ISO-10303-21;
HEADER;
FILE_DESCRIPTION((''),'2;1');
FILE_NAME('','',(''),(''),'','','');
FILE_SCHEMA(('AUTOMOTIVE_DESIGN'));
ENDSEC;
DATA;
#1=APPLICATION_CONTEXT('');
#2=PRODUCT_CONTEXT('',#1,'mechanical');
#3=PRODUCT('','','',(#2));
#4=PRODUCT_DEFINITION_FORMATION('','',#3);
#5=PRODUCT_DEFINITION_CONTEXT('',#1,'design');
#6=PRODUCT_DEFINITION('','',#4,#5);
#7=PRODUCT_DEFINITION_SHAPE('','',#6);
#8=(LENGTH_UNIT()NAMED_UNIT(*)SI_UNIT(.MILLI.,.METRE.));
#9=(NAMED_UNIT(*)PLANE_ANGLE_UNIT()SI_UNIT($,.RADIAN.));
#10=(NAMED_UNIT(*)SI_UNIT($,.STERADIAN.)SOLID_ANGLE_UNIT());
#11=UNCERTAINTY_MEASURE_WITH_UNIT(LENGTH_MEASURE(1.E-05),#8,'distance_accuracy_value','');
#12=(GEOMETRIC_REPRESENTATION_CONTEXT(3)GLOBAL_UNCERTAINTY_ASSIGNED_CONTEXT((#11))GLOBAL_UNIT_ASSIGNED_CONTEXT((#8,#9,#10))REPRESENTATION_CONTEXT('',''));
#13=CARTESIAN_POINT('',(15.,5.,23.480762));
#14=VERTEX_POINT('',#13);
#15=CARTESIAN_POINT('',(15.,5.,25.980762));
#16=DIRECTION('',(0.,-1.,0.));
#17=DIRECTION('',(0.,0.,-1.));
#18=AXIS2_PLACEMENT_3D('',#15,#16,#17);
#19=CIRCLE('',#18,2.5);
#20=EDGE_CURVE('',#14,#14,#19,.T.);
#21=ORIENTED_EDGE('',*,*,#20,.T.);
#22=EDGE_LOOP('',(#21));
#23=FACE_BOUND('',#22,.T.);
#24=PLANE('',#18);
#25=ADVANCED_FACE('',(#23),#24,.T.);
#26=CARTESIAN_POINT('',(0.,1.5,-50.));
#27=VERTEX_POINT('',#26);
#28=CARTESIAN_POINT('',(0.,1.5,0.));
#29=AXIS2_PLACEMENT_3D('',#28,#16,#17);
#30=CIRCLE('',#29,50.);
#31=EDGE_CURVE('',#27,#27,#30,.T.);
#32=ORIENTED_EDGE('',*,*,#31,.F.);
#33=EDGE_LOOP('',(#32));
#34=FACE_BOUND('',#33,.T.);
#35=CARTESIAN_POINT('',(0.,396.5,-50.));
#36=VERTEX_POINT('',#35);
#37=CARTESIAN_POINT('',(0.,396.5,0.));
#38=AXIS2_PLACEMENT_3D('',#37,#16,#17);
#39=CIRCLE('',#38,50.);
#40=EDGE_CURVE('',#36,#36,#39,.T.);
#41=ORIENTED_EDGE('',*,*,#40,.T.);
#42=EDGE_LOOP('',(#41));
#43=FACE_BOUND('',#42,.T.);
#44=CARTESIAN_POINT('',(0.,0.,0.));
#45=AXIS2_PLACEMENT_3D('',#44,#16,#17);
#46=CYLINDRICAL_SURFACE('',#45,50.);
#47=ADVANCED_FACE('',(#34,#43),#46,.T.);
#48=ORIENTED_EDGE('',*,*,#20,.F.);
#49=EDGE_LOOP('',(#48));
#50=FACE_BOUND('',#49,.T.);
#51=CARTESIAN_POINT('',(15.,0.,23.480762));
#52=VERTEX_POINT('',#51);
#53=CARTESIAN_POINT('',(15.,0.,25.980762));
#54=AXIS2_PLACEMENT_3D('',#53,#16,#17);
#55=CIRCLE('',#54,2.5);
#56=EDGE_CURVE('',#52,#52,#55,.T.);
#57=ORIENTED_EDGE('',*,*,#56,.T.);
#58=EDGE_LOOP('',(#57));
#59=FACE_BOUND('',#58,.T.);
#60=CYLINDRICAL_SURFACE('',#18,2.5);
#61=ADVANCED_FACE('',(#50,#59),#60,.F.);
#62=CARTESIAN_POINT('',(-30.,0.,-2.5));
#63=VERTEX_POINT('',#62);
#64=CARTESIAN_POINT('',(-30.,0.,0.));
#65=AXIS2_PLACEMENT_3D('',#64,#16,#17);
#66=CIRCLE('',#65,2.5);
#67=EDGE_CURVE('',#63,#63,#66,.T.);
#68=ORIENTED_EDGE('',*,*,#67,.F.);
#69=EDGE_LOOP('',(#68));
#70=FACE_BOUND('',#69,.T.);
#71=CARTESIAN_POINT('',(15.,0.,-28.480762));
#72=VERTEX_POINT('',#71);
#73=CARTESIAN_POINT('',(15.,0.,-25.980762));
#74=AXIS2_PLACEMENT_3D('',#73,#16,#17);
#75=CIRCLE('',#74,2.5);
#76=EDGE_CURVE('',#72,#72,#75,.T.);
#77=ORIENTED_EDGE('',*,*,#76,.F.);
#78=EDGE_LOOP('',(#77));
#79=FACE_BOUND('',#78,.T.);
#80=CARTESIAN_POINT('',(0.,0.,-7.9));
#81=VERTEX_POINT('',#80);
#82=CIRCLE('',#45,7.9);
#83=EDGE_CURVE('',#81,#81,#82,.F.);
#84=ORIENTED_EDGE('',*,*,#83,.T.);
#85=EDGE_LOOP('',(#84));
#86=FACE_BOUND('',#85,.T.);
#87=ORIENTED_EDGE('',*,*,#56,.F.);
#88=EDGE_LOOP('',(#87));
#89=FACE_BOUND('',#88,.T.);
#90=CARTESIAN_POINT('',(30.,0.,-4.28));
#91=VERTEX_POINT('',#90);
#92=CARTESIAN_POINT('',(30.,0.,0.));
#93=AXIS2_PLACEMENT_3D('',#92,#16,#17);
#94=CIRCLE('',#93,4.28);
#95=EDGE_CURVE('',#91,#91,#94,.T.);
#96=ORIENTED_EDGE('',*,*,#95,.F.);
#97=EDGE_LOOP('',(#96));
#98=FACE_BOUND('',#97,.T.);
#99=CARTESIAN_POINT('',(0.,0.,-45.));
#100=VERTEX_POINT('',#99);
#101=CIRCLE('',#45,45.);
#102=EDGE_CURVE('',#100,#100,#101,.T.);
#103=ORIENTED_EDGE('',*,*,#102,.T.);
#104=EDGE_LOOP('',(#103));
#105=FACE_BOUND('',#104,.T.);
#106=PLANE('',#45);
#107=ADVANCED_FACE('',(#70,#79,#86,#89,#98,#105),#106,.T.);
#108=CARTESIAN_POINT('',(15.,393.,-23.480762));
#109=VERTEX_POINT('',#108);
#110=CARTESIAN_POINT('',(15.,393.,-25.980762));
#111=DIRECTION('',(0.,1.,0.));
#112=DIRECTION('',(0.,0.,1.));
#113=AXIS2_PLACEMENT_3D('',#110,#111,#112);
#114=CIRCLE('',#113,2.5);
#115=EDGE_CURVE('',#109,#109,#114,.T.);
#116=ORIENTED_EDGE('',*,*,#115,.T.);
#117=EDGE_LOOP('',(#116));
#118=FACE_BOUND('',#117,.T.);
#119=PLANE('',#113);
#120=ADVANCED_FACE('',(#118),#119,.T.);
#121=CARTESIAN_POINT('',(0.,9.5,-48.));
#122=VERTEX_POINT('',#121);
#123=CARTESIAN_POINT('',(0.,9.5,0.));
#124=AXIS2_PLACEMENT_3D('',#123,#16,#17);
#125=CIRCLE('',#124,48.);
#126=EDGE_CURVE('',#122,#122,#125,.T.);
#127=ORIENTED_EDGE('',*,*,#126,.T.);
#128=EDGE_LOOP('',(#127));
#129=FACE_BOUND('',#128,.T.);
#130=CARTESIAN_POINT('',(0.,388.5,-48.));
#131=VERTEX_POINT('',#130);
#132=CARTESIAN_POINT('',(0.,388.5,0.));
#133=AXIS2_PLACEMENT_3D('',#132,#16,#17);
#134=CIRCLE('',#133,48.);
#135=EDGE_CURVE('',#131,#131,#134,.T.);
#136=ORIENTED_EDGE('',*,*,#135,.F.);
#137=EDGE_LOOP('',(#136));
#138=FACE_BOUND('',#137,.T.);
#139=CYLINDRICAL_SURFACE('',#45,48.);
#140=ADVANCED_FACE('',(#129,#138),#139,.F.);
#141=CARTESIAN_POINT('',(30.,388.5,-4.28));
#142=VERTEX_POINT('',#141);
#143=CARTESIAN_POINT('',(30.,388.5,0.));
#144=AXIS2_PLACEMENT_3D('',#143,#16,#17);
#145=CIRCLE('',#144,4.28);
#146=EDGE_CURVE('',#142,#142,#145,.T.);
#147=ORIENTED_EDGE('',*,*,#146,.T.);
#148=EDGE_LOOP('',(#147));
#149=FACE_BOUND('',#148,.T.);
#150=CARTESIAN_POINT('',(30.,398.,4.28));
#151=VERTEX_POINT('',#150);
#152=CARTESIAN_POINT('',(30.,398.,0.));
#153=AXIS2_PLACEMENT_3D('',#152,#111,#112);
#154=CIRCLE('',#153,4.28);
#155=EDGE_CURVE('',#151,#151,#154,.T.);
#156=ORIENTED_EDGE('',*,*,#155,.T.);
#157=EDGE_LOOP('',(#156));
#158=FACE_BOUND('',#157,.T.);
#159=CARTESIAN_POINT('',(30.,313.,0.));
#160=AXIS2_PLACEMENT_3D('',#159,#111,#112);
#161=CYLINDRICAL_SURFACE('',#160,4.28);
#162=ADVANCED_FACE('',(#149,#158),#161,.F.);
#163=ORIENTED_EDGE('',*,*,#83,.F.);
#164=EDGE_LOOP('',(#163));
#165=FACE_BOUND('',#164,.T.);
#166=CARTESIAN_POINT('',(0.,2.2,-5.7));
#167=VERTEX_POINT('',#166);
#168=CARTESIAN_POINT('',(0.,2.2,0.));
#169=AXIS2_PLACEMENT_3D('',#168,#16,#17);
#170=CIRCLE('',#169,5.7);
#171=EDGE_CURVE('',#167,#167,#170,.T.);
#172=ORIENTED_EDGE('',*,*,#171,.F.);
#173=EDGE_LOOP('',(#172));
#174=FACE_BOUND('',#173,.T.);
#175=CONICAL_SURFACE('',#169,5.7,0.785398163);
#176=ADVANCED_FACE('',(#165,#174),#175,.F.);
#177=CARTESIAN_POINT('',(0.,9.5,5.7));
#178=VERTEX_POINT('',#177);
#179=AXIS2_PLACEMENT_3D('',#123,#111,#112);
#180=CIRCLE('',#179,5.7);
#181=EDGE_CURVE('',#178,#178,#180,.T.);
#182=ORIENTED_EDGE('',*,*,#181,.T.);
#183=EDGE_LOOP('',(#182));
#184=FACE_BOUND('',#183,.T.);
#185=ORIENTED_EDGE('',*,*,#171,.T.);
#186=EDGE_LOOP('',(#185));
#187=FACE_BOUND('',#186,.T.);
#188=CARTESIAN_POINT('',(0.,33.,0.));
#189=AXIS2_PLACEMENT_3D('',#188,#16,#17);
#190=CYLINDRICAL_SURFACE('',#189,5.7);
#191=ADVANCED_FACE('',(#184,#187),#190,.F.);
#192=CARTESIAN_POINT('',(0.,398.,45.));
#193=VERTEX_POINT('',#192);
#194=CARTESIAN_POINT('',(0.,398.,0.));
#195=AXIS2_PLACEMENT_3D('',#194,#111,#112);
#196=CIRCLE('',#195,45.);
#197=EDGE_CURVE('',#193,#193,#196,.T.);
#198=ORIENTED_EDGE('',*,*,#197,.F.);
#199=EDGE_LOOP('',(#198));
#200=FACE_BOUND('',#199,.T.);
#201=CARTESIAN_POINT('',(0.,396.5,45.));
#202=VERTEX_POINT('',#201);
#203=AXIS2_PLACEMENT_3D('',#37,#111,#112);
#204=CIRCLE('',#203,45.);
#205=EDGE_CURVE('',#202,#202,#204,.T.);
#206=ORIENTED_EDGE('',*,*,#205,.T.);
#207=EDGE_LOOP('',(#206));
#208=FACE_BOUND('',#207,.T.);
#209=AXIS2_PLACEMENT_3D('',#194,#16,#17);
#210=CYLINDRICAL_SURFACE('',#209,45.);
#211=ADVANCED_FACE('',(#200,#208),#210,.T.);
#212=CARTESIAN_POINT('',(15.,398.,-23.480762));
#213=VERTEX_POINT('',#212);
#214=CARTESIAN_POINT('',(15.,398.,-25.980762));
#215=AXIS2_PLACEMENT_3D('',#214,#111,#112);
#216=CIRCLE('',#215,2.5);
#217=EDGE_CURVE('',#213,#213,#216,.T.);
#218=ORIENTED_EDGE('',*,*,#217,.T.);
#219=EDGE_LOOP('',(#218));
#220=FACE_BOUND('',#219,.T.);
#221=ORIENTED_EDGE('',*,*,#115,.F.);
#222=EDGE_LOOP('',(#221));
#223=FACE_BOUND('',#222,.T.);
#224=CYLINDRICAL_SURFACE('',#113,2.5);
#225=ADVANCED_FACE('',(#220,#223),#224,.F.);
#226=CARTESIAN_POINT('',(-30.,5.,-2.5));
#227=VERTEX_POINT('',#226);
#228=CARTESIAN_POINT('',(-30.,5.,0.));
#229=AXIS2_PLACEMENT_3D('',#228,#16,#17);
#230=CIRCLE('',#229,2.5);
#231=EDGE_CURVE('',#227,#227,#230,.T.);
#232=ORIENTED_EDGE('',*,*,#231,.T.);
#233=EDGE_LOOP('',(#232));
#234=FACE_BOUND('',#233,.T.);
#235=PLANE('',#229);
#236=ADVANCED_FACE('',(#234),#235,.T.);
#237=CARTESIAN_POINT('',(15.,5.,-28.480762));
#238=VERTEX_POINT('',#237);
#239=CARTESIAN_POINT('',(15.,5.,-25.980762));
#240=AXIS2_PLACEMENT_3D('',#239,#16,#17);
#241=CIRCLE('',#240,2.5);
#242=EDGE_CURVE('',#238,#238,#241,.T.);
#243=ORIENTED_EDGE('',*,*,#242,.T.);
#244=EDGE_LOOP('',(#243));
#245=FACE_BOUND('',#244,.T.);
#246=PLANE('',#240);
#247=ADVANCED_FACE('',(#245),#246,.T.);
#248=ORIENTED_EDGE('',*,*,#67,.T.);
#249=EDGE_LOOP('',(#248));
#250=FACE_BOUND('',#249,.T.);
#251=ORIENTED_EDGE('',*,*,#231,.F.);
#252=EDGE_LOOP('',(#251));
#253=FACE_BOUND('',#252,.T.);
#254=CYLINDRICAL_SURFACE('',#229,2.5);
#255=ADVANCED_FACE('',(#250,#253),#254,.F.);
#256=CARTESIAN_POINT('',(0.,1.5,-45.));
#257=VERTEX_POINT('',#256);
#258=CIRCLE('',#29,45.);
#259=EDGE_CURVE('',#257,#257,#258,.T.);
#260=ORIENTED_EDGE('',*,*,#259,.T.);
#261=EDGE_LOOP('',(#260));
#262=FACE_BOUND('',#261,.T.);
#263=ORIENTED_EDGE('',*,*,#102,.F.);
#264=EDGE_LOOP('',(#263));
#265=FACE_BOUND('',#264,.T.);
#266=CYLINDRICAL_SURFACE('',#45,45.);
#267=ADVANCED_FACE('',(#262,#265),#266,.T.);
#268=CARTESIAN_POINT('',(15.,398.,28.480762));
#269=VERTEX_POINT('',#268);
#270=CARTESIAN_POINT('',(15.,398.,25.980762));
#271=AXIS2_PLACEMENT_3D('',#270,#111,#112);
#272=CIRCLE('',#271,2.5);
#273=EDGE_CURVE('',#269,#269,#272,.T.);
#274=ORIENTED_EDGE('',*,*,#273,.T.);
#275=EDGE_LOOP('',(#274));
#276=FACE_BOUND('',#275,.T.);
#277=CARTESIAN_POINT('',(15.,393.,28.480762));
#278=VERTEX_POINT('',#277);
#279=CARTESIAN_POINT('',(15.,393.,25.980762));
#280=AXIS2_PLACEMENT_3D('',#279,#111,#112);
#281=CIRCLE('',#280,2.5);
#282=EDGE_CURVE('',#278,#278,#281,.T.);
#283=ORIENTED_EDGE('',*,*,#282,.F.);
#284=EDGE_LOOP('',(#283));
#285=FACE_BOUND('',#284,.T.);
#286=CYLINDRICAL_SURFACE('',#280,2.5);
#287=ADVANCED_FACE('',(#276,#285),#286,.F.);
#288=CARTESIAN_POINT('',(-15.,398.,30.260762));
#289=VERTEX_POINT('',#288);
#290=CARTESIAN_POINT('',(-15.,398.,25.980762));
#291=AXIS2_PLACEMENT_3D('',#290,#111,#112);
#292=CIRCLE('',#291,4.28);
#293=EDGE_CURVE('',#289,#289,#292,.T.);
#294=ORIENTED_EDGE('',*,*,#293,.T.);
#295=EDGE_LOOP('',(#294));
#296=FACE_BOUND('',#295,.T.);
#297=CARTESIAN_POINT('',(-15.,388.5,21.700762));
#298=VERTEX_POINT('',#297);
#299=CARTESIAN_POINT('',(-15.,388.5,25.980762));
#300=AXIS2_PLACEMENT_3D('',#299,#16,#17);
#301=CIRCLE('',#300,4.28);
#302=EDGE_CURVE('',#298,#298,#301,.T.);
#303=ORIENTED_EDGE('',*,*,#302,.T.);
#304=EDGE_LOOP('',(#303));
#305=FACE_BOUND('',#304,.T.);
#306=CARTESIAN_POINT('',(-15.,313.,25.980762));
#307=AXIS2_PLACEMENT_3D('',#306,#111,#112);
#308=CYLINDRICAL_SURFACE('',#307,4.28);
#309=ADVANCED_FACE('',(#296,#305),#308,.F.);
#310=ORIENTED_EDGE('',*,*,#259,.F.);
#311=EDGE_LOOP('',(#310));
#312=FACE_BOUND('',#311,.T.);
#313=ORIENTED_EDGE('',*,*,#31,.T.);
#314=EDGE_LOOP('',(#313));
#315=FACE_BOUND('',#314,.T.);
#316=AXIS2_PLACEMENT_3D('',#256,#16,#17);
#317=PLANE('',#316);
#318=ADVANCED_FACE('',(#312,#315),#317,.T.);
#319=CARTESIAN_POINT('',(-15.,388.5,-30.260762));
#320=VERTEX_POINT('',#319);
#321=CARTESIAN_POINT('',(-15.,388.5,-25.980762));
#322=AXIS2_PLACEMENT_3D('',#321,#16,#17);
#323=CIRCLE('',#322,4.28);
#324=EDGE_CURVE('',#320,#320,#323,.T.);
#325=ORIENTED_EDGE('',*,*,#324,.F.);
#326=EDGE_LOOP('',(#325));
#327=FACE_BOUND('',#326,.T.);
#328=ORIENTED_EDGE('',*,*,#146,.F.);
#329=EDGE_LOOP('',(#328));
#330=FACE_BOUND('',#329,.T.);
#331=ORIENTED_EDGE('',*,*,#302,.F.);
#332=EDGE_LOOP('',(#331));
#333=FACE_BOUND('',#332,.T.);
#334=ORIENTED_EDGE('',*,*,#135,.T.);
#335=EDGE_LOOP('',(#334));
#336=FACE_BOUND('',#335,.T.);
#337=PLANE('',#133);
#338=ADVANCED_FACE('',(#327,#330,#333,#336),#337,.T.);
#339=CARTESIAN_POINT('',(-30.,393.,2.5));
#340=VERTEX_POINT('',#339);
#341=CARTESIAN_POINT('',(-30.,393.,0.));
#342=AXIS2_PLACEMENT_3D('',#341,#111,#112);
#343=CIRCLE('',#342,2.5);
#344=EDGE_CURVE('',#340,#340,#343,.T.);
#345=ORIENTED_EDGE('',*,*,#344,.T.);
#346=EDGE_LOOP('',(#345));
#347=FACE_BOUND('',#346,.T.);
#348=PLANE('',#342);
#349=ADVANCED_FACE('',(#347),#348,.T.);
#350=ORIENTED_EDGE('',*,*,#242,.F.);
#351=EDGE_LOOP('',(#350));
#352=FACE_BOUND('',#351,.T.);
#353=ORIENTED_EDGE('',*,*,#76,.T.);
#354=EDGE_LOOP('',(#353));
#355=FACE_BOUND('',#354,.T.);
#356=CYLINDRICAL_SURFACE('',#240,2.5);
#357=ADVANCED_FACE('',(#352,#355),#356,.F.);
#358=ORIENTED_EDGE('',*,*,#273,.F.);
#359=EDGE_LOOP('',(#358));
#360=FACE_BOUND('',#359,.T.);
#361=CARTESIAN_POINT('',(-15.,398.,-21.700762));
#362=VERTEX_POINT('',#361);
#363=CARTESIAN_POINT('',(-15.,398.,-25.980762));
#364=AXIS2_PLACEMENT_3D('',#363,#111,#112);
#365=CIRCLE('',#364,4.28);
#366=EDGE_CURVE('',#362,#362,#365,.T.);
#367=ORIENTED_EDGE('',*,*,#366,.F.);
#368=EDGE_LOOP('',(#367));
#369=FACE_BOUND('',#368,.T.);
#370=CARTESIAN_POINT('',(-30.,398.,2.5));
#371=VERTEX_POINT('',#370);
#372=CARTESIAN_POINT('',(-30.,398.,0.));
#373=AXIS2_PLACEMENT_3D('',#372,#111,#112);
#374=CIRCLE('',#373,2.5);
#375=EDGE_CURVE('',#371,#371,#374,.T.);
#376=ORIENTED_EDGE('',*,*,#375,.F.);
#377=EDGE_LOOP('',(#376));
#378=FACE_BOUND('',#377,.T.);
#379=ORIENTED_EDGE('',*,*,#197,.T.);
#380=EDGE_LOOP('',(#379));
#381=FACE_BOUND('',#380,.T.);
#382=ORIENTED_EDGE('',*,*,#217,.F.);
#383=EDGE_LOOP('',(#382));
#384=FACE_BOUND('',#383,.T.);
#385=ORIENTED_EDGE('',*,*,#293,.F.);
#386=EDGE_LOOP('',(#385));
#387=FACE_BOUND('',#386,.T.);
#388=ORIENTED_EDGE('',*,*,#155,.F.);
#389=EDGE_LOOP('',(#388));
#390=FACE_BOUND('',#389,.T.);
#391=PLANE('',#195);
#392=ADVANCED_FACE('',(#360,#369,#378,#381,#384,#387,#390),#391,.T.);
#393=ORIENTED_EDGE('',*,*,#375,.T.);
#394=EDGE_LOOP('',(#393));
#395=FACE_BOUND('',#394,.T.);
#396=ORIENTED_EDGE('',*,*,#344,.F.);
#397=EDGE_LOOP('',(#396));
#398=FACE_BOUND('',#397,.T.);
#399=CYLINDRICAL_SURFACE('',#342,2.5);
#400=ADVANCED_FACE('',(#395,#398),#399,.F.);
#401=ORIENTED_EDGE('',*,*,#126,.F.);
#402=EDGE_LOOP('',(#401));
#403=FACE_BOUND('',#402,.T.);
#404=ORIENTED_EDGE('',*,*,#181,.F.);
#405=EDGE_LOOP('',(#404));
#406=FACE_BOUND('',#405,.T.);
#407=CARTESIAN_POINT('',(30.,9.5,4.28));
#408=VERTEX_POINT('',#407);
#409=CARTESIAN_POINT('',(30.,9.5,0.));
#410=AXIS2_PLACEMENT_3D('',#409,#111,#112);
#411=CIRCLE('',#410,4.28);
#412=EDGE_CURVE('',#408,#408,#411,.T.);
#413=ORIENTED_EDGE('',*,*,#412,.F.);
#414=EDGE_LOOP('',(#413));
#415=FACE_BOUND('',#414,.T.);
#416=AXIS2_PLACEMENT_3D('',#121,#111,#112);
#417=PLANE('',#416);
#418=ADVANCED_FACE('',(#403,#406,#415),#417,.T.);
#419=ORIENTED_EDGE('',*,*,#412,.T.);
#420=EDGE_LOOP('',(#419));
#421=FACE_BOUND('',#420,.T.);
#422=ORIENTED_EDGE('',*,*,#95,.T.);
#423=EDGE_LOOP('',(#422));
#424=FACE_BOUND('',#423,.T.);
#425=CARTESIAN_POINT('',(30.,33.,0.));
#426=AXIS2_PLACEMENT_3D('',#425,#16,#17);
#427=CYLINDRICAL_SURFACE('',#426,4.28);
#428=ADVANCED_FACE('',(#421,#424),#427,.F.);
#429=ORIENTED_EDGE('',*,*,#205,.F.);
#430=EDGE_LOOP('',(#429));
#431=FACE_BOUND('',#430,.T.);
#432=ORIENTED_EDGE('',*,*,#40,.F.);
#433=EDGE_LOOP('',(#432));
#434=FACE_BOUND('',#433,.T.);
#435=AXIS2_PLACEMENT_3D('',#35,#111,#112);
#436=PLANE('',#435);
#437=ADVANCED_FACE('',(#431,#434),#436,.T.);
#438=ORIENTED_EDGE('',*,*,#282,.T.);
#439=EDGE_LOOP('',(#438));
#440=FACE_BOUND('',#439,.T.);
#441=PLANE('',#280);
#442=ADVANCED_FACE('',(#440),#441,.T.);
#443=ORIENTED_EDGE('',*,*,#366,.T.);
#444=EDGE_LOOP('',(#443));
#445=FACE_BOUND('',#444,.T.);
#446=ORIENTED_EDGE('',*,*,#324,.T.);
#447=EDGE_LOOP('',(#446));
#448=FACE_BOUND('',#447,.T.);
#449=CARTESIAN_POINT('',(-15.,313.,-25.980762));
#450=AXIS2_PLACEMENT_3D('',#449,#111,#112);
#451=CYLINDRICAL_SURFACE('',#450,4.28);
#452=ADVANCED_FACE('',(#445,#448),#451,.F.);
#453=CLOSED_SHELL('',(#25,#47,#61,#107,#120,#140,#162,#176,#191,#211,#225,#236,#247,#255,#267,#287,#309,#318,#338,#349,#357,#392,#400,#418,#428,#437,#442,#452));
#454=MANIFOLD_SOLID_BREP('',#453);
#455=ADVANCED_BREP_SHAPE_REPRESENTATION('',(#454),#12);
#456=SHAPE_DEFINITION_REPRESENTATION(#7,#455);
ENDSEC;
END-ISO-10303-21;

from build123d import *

# Parameters (mm, degrees)
SKETCH_5_R          = 5.7
SKETCH_5_R_2        = 4.28
CUT_EXTRUDE_4_DEPTH = 33
SKETCH_6_R          = 2.5
CUT_EXTRUDE_5_DEPTH = 5
CHAMFER_2_SIZE      = 2.2
EXTRUDE_START       = 1.5
SKETCH_7_R          = 45
EXTRUDE_1_DEPTH     = 1.5
CUT_EXTRUDE_START   = -5
SKETCH_8_R          = 2.5
CUT_EXTRUDE_6_DEPTH = 5
CUT_EXTRUDE_START_2 = -85
SKETCH_9_R          = 4.28
CUT_EXTRUDE_7_DEPTH = 85


with BuildPart() as part:
    # Эскиз2 → Повернуть2 (revolve)
    with BuildSketch(Plane(origin=(0, 0, 0), x_dir=(0, 0, -1), z_dir=(1, 0, 0))):
        Polygon((45, 1.5), (50, 1.5), (50, 396.5), (0, 396.5), (0, 388.5), (48, 388.5), (48, 9.5), (0, 9.5), (0, 0), (45, 0), align=None)
    revolve(axis=Axis((0, 0, 0), (0, 1, 0)))

    # Эскиз5 → Вырез-Вытянуть4 (cut)
    with BuildSketch(Plane.XZ):
        with Locations(Location((0, 0, 0), (0, 0, 270))):
            Circle(SKETCH_5_R)
        with Locations(Location((30, 0, 0), (0, 0, 270))):
            Circle(SKETCH_5_R_2)
    extrude(amount=-CUT_EXTRUDE_4_DEPTH, mode=Mode.SUBTRACT)

    # Эскиз6 → Вырез-Вытянуть5 (cut)
    with BuildSketch(Plane.XZ):
        with Locations(Location((-30, 0, 0), (0, 0, 270))):
            Circle(SKETCH_6_R)
        with Locations(Location((15, 25.980762114, 0), (0, 0, 270))):
            Circle(SKETCH_6_R)
        with Locations(Location((15, -25.980762114, 0), (0, 0, 270))):
            Circle(SKETCH_6_R)
    extrude(amount=-CUT_EXTRUDE_5_DEPTH, mode=Mode.SUBTRACT)

    # Фаска2
    chamfer_2_edges = [part.edges().sort_by_distance(p)[0] for p in [
        (0, 0, 5.7),
    ]]
    chamfer(chamfer_2_edges, length=CHAMFER_2_SIZE)

    # Эскиз7 → Бобышка-Вытянуть1 (add)
    with BuildSketch(Plane(origin=(0, 396.5, 0), x_dir=(1, 0, 0), z_dir=(0, 1, 0)).offset(EXTRUDE_START)):
        with Locations(Location((0, 0, 0), (0, 0, 90))):
            Circle(SKETCH_7_R)
    extrude(amount=-EXTRUDE_1_DEPTH)

    # Эскиз8 → Вырез-Вытянуть6 (cut)
    with BuildSketch(Plane(origin=(0, 398, 0), x_dir=(1, 0, 0), z_dir=(0, 1, 0)).offset(CUT_EXTRUDE_START)):
        with Locations(Location((-30, 0, 0), (0, 0, 90))):
            Circle(SKETCH_8_R)
        with Locations(Location((15, 25.980762114, 0), (0, 0, 90))):
            Circle(SKETCH_8_R)
        with Locations(Location((15, -25.980762114, 0), (0, 0, 90))):
            Circle(SKETCH_8_R)
    extrude(amount=CUT_EXTRUDE_6_DEPTH, mode=Mode.SUBTRACT)

    # Эскиз9 → Вырез-Вытянуть7 (cut)
    with BuildSketch(Plane(origin=(0, 398, 0), x_dir=(1, 0, 0), z_dir=(0, 1, 0)).offset(CUT_EXTRUDE_START_2)):
        with Locations(Location((30, 0, 0), (0, 0, 90))):
            Circle(SKETCH_9_R)
        with Locations(Location((-15, -25.980762114, 0), (0, 0, 270))):
            Circle(SKETCH_9_R)
        with Locations(Location((-15, 25.980762114, 0), (0, 0, 270))):
            Circle(SKETCH_9_R)
    extrude(amount=CUT_EXTRUDE_7_DEPTH, mode=Mode.SUBTRACT)


solid = part.part
